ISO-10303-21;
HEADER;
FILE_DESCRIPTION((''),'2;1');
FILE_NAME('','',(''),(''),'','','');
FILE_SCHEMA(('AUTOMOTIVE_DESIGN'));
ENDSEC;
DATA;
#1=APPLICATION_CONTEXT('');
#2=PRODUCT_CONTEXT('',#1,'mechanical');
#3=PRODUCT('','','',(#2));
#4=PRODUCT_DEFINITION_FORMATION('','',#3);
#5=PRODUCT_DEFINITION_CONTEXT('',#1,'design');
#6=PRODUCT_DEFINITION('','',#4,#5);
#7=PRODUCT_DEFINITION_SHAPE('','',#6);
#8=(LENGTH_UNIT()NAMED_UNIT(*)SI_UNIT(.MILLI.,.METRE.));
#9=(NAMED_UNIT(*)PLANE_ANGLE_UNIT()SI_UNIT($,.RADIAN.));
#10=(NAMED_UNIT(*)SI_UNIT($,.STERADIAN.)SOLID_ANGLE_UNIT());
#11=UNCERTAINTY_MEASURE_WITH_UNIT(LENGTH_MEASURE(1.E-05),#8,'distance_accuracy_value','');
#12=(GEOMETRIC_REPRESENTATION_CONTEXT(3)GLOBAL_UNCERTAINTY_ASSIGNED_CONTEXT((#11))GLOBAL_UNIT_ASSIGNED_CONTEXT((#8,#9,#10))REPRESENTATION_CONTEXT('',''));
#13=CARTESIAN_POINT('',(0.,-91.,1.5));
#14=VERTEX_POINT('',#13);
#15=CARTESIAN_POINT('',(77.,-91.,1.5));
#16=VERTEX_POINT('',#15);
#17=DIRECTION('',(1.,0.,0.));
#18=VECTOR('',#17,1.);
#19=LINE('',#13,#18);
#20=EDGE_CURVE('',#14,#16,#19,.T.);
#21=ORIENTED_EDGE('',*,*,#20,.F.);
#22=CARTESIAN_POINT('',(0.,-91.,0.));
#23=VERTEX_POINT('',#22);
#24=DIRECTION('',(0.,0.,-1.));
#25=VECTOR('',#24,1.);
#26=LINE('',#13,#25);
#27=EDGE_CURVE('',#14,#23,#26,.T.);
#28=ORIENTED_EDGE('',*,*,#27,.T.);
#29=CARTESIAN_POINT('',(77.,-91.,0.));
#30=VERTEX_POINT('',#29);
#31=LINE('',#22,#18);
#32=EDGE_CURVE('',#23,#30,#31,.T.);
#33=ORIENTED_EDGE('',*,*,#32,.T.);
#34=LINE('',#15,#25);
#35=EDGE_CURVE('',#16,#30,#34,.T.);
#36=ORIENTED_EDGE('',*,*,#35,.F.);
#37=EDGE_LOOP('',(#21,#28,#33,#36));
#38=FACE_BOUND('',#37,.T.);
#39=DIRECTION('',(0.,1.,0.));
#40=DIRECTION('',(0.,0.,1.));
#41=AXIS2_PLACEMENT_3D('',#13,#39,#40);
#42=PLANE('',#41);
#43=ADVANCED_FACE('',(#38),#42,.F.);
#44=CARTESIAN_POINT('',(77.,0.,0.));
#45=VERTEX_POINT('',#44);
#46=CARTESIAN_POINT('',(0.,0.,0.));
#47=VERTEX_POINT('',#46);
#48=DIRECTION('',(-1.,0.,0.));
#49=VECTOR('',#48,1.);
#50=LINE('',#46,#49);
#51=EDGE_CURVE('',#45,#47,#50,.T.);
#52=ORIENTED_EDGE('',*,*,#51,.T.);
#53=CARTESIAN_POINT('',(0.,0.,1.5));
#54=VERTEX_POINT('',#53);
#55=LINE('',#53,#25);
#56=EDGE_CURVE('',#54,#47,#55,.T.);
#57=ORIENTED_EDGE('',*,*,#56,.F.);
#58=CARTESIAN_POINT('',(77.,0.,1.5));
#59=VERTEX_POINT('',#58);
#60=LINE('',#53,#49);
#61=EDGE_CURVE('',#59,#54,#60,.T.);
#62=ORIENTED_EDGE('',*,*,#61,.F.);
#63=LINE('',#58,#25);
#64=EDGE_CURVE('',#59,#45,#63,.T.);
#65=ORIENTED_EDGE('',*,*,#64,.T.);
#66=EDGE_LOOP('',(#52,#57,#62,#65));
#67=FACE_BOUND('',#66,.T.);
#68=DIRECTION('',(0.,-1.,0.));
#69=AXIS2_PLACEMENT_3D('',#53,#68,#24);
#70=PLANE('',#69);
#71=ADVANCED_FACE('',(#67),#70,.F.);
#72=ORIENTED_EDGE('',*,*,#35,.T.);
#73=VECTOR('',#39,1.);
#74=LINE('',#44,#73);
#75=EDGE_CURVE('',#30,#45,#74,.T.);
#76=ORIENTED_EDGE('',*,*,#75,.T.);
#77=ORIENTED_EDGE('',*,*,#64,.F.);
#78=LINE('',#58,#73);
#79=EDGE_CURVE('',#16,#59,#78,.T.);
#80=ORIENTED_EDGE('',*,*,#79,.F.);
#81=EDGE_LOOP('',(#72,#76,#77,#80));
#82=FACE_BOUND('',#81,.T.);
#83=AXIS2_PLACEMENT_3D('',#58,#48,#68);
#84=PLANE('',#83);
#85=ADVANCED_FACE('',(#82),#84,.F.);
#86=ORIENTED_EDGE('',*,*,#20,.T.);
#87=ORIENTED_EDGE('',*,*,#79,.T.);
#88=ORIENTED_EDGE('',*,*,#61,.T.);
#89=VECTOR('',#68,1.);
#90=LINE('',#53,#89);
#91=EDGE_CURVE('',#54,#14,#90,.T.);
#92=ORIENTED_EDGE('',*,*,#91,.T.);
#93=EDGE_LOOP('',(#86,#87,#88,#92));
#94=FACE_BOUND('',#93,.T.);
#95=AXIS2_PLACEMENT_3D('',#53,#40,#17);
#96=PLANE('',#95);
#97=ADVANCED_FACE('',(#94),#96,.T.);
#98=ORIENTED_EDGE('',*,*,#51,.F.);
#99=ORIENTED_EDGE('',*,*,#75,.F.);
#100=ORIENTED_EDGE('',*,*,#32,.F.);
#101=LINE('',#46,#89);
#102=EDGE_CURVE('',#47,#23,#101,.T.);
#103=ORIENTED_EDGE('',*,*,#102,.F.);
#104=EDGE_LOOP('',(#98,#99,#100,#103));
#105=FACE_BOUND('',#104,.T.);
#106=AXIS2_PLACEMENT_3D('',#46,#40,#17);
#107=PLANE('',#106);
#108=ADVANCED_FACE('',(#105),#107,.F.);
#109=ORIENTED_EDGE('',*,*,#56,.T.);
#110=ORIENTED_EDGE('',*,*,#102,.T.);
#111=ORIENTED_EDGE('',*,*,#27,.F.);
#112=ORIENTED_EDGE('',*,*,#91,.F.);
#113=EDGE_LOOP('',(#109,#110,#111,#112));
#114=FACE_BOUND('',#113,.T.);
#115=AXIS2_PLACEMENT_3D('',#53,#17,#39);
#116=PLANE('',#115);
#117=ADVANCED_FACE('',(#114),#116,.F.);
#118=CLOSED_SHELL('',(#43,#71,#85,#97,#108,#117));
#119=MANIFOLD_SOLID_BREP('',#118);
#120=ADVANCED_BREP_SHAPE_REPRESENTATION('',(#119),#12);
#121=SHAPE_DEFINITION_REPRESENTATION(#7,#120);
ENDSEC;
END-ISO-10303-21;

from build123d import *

# Parameters (mm, degrees)
SKETCH_1_W      = 77
SKETCH_1_H      = 91
EXTRUDE_1_DEPTH = 1.5


with BuildPart() as part:
    # 草图1 → 凸台-拉伸1 (new body)
    with BuildSketch(Plane.XY):
        with Locations((38.5, -45.5)):
            Rectangle(SKETCH_1_W, SKETCH_1_H)
    extrude(amount=EXTRUDE_1_DEPTH)


solid = part.part
